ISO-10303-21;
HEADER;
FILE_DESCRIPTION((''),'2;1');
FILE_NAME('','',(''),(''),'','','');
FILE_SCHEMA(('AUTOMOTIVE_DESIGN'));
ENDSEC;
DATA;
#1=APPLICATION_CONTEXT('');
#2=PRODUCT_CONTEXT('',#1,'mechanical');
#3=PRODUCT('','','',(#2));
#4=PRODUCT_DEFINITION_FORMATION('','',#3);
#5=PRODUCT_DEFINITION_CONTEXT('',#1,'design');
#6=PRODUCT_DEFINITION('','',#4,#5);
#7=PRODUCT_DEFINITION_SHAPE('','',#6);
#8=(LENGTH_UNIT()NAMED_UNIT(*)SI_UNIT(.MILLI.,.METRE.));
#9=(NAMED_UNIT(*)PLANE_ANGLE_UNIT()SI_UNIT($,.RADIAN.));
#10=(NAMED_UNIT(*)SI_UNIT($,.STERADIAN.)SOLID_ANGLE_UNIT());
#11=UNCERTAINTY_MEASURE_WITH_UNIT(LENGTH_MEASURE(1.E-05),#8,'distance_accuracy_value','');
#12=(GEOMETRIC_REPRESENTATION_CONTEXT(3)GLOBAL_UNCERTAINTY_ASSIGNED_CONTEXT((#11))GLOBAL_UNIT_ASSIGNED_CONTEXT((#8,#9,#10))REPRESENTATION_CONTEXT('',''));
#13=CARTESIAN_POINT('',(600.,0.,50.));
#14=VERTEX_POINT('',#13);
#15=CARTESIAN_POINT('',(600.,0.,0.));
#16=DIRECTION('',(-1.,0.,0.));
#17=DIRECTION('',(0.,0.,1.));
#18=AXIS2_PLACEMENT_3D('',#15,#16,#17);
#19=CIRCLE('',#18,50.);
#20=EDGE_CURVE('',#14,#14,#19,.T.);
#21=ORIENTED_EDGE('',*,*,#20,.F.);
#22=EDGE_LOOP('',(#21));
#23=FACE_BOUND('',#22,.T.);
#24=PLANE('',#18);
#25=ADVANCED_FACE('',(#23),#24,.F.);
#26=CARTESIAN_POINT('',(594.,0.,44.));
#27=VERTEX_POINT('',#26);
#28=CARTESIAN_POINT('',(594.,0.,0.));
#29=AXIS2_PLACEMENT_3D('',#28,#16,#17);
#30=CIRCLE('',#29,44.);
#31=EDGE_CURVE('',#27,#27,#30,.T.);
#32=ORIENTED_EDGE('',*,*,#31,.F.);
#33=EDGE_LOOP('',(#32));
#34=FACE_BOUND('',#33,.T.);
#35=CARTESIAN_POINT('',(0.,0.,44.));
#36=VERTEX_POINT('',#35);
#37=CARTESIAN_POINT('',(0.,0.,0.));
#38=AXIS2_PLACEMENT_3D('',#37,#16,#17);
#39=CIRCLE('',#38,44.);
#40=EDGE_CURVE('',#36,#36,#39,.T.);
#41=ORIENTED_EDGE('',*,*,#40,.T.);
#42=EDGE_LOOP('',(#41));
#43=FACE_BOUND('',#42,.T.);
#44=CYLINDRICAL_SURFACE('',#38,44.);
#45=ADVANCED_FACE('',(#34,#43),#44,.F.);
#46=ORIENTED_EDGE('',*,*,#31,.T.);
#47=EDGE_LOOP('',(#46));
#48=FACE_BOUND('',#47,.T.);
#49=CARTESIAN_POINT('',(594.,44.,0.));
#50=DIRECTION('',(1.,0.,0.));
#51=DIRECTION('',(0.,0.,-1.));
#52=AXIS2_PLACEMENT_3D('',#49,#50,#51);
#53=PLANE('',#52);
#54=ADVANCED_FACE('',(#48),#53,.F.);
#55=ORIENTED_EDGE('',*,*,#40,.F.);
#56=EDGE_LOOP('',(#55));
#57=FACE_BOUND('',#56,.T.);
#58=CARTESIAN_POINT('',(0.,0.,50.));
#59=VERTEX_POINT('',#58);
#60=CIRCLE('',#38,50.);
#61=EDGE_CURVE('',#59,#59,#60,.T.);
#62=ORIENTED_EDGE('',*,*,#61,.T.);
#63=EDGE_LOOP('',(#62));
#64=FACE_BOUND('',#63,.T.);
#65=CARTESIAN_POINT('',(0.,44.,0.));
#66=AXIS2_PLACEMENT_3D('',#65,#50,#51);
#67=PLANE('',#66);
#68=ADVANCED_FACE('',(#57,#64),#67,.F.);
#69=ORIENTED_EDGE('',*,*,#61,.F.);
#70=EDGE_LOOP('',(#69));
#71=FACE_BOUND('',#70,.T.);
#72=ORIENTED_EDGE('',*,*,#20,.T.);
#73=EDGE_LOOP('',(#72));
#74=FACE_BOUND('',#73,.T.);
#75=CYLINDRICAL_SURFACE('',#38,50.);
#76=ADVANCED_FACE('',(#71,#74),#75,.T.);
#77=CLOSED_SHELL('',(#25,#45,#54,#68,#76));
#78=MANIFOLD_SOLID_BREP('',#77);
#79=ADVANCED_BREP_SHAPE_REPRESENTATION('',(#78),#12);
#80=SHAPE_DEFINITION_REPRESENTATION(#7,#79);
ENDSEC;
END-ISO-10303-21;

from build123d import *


with BuildPart() as part:
    # Sketch1 → Revolve2 (revolve)
    with BuildSketch(Plane.XY):
        Polygon((6, 44), (594, 44), (594, 0), (600, 0), (600, 50), (0, 50), (0, 44), align=None)
    revolve(axis=Axis((0, 0, 0), (1, 0, 0)))


solid = part.part
